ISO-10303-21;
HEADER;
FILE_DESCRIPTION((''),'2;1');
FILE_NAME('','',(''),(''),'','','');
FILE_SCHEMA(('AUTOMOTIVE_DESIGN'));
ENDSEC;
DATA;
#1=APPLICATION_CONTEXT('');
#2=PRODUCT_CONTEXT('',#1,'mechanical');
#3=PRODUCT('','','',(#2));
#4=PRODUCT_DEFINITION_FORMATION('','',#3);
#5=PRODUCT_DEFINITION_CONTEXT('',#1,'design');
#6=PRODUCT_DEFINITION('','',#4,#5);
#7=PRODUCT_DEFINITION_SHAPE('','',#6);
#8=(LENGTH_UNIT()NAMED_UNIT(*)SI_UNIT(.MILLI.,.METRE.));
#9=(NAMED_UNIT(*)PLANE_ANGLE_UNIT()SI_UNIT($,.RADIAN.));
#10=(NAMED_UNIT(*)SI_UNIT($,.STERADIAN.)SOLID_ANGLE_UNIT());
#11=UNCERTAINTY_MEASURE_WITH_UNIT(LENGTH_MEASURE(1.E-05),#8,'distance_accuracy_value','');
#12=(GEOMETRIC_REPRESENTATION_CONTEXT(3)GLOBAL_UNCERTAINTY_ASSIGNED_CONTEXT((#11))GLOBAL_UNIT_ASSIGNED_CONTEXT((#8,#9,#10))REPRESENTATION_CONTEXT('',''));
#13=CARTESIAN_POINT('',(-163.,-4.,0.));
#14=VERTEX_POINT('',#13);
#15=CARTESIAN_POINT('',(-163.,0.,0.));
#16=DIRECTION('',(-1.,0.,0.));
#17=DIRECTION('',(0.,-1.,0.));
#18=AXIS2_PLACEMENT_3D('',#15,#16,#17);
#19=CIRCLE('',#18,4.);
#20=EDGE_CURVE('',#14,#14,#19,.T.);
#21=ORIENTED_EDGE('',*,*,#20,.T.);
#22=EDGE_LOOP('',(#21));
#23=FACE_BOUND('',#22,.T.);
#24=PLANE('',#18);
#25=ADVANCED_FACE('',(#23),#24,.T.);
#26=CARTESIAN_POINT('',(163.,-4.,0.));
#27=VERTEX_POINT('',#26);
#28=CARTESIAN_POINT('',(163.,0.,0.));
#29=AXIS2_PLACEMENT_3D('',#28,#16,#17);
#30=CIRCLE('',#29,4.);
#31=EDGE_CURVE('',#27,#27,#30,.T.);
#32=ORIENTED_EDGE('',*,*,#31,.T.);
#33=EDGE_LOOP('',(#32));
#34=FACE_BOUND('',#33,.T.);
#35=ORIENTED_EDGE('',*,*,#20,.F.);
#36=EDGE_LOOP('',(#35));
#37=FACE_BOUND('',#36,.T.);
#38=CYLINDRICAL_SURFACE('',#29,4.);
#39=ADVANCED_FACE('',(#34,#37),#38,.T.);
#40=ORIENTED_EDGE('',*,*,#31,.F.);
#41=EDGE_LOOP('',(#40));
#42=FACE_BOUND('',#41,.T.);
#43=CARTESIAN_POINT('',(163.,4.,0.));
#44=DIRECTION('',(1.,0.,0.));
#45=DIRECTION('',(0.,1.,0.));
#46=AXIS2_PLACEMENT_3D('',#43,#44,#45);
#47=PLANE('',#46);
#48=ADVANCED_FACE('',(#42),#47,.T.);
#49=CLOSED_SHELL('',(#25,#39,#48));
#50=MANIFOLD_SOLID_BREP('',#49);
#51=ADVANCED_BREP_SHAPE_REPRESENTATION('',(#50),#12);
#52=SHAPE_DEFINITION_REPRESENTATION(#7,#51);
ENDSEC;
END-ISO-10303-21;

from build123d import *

# Parameters (mm, degrees)
ESQUISSE1_W = 326
ESQUISSE1_H = 4


with BuildPart() as part:
    # Esquisse1 → Révolution1 (revolve)
    with BuildSketch(Plane(origin=(0, 0, 0), x_dir=(-1, 0, 0), z_dir=(0, 0, -1)), mode=Mode.PRIVATE) as r_volution1_sk:
        with Locations((0, 2)):
            Rectangle(ESQUISSE1_W, ESQUISSE1_H)
    revolve(r_volution1_sk.sketch.rotate(Axis((163, 0, 0), (-1, 0, 0)), 180), axis=Axis((163, 0, 0), (-1, 0, 0)))


solid = part.part
